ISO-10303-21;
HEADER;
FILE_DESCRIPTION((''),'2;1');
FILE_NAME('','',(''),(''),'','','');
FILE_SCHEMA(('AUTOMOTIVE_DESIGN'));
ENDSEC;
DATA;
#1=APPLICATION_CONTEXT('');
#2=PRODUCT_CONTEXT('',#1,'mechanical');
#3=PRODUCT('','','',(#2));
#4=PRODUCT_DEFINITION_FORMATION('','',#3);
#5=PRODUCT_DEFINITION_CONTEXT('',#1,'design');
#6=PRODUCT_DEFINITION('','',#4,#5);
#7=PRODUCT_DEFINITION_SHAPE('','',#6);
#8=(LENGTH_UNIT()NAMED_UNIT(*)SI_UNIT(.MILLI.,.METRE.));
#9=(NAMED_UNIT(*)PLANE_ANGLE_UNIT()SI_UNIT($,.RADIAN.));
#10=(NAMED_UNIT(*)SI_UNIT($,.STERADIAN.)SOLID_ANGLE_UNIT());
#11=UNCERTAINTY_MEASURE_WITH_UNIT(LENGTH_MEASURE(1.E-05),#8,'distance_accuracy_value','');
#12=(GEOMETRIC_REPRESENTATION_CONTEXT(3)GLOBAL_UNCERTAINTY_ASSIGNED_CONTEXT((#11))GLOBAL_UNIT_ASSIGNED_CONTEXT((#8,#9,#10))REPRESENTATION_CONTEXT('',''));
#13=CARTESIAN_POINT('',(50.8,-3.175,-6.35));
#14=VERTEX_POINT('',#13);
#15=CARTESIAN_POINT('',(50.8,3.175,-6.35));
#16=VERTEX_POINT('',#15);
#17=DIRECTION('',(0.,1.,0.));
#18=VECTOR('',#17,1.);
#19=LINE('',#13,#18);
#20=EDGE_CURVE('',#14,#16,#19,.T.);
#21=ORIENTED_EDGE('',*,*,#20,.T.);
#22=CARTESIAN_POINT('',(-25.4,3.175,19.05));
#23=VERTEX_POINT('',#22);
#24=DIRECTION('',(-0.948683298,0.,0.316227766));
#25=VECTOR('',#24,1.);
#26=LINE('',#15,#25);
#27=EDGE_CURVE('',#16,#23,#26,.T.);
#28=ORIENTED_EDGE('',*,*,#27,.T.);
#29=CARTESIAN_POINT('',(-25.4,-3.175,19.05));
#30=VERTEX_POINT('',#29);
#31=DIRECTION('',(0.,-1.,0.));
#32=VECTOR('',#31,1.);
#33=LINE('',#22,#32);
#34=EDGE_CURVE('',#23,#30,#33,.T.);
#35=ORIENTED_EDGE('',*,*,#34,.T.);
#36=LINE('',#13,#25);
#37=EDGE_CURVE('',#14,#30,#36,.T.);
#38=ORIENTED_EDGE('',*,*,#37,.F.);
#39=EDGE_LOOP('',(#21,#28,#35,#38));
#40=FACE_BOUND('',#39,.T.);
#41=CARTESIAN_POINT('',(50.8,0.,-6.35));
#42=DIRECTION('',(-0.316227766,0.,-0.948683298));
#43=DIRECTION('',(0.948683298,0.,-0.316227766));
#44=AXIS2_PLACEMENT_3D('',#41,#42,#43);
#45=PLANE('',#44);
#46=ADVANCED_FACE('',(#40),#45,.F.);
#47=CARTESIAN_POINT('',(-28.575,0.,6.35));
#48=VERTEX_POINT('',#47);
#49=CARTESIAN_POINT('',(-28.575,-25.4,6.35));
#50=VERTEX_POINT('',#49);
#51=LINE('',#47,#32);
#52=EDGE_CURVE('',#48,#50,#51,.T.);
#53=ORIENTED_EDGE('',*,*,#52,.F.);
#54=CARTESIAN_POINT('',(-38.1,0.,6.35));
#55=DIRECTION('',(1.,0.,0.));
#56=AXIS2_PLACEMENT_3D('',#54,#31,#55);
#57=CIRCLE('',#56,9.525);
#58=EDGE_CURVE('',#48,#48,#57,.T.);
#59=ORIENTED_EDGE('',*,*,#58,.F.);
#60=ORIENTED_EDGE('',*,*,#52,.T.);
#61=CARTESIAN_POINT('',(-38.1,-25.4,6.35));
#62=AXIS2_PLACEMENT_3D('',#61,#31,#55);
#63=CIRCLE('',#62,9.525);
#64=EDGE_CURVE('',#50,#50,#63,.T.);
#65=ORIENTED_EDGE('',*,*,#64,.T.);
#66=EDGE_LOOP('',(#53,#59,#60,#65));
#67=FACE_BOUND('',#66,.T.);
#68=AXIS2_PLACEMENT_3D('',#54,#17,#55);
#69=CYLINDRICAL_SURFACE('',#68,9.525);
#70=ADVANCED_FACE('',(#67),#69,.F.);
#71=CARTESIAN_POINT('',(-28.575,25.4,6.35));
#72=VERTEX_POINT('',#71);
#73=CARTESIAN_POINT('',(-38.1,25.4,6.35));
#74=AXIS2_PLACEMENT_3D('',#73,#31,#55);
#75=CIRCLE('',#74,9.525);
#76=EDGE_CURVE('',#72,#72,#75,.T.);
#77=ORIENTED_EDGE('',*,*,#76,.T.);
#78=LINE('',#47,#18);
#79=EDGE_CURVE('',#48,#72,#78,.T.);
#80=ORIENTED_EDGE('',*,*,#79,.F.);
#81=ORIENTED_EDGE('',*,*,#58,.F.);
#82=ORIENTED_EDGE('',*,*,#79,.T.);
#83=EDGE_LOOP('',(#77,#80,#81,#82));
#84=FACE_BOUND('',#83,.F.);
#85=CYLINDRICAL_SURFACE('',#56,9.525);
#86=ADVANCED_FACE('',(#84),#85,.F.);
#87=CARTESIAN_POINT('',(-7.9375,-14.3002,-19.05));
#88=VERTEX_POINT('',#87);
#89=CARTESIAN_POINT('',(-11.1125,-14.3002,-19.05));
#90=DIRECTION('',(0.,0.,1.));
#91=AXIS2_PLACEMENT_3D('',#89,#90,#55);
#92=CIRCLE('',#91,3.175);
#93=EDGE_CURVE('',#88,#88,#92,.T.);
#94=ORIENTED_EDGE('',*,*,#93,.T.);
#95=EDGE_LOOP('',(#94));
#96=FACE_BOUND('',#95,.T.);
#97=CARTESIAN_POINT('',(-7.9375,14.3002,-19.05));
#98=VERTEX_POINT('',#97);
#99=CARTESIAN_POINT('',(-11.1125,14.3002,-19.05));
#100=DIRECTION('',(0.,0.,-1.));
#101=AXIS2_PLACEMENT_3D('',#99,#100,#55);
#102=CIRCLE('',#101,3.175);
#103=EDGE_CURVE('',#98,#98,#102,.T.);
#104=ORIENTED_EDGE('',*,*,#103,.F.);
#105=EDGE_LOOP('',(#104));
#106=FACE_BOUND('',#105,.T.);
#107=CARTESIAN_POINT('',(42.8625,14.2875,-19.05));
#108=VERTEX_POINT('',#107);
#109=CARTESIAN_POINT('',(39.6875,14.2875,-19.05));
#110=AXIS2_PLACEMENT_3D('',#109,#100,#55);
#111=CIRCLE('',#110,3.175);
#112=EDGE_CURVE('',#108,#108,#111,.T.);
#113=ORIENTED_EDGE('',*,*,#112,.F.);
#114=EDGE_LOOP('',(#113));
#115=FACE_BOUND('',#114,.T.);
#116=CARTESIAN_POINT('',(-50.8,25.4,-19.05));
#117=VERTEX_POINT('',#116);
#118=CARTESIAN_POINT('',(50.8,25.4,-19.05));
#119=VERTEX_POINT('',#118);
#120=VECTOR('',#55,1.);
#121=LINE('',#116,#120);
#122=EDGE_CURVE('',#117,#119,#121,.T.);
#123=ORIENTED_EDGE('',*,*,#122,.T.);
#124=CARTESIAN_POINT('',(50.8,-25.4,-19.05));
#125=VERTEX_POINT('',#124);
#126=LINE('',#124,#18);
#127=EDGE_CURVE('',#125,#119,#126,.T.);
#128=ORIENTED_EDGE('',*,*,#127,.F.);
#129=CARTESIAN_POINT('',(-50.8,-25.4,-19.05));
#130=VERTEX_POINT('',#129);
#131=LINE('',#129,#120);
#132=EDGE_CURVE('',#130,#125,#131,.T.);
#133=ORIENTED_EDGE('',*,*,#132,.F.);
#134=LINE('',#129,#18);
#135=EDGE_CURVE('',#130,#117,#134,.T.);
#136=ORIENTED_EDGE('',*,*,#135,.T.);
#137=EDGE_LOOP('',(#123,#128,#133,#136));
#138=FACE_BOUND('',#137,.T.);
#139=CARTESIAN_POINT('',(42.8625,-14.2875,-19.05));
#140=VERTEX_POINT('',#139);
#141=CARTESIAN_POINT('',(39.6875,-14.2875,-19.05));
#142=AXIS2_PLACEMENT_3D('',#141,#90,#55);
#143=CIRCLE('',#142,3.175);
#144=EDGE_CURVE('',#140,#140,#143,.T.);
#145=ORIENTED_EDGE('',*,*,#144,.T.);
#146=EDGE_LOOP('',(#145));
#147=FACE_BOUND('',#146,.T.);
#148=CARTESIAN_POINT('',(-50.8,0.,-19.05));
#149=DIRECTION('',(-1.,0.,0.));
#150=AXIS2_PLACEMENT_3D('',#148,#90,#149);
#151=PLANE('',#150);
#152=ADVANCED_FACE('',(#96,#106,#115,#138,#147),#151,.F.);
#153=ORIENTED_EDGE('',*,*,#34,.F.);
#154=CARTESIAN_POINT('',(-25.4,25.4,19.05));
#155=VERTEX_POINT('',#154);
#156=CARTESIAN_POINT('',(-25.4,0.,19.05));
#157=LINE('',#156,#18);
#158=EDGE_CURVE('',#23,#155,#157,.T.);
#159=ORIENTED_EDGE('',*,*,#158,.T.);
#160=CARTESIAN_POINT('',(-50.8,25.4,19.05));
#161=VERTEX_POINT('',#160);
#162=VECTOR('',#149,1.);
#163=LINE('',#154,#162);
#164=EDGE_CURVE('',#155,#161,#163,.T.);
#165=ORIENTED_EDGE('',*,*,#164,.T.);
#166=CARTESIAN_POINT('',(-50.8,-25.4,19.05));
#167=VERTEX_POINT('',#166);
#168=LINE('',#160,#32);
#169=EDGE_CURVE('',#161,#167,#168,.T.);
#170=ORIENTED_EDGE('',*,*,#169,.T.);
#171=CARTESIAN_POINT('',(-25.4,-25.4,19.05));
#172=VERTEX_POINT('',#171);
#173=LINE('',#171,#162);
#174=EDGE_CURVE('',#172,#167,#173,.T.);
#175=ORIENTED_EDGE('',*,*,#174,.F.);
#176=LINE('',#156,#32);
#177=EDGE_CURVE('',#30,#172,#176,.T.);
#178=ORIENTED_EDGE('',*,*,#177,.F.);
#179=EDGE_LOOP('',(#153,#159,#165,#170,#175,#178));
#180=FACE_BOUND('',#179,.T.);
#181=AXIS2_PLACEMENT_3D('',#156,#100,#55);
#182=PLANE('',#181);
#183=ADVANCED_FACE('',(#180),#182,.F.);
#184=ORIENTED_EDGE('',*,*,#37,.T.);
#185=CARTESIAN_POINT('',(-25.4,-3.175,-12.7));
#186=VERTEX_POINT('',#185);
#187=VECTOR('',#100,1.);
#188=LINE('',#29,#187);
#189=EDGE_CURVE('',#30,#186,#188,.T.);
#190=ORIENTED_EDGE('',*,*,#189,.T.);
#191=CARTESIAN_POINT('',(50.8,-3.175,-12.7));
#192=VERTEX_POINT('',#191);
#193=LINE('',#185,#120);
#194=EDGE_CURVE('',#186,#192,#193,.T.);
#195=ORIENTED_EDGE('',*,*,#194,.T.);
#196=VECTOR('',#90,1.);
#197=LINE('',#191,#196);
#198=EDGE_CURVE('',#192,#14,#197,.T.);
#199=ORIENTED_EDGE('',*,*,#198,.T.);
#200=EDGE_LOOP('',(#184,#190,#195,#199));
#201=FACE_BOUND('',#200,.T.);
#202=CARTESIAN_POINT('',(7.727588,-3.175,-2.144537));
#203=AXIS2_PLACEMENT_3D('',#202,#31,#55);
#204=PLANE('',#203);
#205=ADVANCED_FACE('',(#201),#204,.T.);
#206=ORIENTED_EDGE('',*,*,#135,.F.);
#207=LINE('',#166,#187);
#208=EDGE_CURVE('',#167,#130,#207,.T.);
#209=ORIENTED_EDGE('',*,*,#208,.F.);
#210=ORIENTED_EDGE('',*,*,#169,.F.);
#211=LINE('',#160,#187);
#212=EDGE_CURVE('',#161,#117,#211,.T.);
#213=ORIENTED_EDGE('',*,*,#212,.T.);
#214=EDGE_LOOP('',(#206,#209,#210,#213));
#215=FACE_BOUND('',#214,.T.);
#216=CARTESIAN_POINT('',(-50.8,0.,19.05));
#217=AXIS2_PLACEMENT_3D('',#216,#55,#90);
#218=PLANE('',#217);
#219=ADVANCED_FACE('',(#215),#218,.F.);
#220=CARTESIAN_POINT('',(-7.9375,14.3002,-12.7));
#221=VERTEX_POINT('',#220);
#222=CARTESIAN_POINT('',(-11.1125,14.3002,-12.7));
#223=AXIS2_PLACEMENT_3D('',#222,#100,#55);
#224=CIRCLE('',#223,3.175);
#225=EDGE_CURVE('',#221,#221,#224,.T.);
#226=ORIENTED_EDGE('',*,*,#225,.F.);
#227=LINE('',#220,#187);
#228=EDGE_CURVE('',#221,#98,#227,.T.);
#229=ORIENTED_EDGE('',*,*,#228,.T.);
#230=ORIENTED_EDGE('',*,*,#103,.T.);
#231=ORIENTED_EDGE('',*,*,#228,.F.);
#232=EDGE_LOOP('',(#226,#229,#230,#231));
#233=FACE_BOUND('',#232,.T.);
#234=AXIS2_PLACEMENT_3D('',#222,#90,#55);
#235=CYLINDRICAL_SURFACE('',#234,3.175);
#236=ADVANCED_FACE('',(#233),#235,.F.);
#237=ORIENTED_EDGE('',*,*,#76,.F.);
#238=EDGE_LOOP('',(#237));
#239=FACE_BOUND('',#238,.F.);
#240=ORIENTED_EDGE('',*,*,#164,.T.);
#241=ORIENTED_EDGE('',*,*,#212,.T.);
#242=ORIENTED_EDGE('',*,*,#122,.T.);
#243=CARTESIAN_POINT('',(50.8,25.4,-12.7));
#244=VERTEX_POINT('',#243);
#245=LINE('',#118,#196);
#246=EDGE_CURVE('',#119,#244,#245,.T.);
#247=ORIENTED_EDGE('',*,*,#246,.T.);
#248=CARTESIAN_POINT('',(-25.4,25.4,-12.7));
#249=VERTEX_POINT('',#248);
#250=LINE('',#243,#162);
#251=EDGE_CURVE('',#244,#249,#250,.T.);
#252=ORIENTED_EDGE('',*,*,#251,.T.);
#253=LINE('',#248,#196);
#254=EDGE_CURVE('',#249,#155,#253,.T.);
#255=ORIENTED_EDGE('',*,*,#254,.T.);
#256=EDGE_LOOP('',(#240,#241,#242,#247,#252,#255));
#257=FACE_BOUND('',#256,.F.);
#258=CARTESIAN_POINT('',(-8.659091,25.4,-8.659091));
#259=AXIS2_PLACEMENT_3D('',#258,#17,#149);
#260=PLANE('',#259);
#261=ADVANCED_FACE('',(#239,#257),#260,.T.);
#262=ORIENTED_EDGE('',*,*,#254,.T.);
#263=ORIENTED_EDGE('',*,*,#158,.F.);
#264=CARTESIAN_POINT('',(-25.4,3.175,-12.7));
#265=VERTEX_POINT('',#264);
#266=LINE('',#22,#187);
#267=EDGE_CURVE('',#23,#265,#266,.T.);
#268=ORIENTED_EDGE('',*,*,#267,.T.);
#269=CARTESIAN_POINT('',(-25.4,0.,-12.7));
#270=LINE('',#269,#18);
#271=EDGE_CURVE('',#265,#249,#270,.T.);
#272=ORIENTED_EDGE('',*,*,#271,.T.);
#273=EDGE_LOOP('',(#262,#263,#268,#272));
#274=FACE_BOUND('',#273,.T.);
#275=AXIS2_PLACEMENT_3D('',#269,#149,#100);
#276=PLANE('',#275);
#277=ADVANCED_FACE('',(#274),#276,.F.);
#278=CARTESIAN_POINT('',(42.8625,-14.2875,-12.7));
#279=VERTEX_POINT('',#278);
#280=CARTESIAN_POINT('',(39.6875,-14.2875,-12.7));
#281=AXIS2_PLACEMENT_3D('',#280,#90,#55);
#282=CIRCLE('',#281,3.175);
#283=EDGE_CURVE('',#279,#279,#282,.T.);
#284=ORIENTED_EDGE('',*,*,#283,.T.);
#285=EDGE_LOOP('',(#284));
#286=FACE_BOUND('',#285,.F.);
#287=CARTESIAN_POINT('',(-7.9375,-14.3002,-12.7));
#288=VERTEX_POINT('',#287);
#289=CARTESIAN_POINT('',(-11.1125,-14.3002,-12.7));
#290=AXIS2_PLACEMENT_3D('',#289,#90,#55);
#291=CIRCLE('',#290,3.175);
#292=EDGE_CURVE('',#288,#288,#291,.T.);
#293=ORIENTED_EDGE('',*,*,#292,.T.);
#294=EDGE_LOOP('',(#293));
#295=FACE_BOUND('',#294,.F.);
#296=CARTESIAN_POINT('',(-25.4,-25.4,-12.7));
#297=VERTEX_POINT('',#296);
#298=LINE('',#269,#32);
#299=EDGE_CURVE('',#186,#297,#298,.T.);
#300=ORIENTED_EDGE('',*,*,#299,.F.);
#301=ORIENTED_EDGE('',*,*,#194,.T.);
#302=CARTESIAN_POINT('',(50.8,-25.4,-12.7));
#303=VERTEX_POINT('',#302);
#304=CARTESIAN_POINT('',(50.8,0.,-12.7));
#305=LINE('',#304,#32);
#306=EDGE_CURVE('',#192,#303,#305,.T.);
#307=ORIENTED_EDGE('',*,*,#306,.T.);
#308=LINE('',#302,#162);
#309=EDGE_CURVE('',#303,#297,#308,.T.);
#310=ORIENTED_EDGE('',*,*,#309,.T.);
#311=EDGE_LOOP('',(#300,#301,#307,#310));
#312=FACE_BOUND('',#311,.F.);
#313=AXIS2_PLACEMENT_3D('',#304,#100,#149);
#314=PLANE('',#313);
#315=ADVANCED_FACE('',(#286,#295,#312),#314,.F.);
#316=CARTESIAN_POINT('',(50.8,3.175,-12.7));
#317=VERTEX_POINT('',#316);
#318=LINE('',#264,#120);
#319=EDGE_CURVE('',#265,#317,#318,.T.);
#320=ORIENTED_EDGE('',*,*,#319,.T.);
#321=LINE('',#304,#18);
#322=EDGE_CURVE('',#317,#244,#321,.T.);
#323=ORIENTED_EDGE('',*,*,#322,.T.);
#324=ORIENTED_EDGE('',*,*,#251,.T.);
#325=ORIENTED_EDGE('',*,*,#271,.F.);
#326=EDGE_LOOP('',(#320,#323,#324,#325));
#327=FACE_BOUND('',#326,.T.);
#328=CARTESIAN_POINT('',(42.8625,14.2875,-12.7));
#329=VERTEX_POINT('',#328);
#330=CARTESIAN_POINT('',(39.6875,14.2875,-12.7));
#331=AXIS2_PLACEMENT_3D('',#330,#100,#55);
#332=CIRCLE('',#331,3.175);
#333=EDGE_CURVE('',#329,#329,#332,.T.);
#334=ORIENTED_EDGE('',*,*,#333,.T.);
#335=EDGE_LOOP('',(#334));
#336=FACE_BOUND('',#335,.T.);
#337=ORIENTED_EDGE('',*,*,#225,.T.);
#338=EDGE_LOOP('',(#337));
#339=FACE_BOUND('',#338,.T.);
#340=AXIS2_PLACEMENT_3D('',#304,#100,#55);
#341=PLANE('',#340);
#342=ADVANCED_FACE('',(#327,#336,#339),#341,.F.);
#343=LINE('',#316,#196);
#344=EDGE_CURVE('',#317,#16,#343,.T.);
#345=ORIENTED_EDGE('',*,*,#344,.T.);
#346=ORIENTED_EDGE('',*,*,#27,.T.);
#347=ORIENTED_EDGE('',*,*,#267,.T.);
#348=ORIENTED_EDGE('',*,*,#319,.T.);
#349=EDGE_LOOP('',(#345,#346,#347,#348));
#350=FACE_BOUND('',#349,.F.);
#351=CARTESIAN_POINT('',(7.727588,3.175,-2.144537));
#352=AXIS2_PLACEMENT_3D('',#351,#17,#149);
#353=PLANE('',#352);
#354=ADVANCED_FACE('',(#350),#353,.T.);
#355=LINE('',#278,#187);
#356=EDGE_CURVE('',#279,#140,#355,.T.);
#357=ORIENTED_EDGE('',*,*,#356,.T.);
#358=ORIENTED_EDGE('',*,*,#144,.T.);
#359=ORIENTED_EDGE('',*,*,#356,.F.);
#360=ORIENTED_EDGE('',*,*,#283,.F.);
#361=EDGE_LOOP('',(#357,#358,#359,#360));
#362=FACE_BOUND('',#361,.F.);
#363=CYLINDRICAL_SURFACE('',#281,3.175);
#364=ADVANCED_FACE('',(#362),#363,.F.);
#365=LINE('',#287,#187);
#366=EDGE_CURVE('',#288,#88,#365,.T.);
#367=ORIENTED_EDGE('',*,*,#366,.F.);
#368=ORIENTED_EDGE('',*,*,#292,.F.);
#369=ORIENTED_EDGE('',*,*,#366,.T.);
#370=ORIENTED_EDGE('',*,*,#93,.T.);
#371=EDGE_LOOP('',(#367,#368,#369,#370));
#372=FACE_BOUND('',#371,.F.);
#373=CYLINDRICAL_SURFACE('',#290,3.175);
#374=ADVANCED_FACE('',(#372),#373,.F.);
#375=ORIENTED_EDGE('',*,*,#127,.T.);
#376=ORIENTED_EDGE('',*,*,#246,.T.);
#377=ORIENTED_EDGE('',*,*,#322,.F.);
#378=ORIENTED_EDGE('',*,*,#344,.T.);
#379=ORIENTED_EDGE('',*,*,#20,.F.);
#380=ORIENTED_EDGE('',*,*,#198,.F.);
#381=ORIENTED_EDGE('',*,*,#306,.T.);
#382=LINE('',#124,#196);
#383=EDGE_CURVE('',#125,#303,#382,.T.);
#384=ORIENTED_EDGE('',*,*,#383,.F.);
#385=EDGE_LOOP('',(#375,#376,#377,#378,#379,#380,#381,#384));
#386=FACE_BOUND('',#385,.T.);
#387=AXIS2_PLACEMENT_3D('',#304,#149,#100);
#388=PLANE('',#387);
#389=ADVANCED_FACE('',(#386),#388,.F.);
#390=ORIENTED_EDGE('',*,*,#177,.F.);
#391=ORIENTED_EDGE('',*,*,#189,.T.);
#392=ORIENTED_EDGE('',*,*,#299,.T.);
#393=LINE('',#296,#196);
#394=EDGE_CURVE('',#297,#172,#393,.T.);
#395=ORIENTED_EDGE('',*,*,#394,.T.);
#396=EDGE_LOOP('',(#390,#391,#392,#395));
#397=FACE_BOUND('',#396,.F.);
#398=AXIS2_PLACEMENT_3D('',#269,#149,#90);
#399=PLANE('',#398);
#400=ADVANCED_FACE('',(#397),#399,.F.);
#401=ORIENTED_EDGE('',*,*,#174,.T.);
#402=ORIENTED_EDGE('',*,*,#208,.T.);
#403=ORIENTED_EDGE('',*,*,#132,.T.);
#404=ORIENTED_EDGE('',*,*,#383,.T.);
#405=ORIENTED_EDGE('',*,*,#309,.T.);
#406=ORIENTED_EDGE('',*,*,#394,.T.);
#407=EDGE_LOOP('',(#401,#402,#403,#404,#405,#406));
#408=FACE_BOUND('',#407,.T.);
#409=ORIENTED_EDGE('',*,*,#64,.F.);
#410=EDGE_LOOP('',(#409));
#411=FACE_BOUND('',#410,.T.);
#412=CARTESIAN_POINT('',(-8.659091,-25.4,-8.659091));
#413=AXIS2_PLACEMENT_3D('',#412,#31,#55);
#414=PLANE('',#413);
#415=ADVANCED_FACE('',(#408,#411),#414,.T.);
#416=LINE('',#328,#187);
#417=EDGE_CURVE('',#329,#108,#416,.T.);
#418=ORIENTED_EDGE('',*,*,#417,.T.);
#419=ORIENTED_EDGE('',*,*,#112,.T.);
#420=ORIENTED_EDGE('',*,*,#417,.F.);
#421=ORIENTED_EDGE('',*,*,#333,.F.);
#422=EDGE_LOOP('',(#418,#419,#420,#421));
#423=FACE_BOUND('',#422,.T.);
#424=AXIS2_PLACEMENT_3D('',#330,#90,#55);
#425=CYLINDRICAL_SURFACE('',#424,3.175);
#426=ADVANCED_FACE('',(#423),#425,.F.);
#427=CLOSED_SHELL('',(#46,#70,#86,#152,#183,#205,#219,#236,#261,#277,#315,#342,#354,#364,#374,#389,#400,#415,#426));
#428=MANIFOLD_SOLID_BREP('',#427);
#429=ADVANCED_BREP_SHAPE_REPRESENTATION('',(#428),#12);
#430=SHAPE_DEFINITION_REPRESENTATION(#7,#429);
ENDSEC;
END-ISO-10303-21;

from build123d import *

# Parameters (mm, degrees)
F0_R     = 9.525
F1_DEPTH = 25.4
F3_DEPTH = 3.175
F4_R     = 3.175
F5_DEPTH = 25.4


with BuildPart() as f1:
    # F0 (on Front) → F1 (new body)
    with BuildSketch(Plane.XZ):
        Polygon((-25.4, -12.7), (-25.4, 19.05), (-50.8, 19.05), (-50.8, -19.05), (50.8, -19.05), (50.8, -12.7), align=None)
        with Locations((-38.1, 6.35)):
            Circle(F0_R, mode=Mode.SUBTRACT)
    extrude(amount=F1_DEPTH)

    # F2 (on Front) → F3 (join)
    with BuildSketch(Plane.XZ):
        Polygon((50.8, -6.35), (-25.4, 19.05), (-25.4, -12.7), (50.8, -12.7), align=None)
    extrude(amount=F3_DEPTH)

    # F4 (on face) → F5 (cut)
    with BuildSketch(Plane.XY.offset(-12.7)):
        with Locations((39.6875, -14.2875)):
            Circle(F4_R)
        with Locations((-11.1125, -14.3002)):
            Circle(F4_R)
    extrude(amount=-F5_DEPTH, mode=Mode.SUBTRACT)

    # F6: F1 across plane


with BuildPart() as f1_1:
    add(f1.part)
    add(f1.part.mirror(Plane.XZ))


solid = f1_1.part
